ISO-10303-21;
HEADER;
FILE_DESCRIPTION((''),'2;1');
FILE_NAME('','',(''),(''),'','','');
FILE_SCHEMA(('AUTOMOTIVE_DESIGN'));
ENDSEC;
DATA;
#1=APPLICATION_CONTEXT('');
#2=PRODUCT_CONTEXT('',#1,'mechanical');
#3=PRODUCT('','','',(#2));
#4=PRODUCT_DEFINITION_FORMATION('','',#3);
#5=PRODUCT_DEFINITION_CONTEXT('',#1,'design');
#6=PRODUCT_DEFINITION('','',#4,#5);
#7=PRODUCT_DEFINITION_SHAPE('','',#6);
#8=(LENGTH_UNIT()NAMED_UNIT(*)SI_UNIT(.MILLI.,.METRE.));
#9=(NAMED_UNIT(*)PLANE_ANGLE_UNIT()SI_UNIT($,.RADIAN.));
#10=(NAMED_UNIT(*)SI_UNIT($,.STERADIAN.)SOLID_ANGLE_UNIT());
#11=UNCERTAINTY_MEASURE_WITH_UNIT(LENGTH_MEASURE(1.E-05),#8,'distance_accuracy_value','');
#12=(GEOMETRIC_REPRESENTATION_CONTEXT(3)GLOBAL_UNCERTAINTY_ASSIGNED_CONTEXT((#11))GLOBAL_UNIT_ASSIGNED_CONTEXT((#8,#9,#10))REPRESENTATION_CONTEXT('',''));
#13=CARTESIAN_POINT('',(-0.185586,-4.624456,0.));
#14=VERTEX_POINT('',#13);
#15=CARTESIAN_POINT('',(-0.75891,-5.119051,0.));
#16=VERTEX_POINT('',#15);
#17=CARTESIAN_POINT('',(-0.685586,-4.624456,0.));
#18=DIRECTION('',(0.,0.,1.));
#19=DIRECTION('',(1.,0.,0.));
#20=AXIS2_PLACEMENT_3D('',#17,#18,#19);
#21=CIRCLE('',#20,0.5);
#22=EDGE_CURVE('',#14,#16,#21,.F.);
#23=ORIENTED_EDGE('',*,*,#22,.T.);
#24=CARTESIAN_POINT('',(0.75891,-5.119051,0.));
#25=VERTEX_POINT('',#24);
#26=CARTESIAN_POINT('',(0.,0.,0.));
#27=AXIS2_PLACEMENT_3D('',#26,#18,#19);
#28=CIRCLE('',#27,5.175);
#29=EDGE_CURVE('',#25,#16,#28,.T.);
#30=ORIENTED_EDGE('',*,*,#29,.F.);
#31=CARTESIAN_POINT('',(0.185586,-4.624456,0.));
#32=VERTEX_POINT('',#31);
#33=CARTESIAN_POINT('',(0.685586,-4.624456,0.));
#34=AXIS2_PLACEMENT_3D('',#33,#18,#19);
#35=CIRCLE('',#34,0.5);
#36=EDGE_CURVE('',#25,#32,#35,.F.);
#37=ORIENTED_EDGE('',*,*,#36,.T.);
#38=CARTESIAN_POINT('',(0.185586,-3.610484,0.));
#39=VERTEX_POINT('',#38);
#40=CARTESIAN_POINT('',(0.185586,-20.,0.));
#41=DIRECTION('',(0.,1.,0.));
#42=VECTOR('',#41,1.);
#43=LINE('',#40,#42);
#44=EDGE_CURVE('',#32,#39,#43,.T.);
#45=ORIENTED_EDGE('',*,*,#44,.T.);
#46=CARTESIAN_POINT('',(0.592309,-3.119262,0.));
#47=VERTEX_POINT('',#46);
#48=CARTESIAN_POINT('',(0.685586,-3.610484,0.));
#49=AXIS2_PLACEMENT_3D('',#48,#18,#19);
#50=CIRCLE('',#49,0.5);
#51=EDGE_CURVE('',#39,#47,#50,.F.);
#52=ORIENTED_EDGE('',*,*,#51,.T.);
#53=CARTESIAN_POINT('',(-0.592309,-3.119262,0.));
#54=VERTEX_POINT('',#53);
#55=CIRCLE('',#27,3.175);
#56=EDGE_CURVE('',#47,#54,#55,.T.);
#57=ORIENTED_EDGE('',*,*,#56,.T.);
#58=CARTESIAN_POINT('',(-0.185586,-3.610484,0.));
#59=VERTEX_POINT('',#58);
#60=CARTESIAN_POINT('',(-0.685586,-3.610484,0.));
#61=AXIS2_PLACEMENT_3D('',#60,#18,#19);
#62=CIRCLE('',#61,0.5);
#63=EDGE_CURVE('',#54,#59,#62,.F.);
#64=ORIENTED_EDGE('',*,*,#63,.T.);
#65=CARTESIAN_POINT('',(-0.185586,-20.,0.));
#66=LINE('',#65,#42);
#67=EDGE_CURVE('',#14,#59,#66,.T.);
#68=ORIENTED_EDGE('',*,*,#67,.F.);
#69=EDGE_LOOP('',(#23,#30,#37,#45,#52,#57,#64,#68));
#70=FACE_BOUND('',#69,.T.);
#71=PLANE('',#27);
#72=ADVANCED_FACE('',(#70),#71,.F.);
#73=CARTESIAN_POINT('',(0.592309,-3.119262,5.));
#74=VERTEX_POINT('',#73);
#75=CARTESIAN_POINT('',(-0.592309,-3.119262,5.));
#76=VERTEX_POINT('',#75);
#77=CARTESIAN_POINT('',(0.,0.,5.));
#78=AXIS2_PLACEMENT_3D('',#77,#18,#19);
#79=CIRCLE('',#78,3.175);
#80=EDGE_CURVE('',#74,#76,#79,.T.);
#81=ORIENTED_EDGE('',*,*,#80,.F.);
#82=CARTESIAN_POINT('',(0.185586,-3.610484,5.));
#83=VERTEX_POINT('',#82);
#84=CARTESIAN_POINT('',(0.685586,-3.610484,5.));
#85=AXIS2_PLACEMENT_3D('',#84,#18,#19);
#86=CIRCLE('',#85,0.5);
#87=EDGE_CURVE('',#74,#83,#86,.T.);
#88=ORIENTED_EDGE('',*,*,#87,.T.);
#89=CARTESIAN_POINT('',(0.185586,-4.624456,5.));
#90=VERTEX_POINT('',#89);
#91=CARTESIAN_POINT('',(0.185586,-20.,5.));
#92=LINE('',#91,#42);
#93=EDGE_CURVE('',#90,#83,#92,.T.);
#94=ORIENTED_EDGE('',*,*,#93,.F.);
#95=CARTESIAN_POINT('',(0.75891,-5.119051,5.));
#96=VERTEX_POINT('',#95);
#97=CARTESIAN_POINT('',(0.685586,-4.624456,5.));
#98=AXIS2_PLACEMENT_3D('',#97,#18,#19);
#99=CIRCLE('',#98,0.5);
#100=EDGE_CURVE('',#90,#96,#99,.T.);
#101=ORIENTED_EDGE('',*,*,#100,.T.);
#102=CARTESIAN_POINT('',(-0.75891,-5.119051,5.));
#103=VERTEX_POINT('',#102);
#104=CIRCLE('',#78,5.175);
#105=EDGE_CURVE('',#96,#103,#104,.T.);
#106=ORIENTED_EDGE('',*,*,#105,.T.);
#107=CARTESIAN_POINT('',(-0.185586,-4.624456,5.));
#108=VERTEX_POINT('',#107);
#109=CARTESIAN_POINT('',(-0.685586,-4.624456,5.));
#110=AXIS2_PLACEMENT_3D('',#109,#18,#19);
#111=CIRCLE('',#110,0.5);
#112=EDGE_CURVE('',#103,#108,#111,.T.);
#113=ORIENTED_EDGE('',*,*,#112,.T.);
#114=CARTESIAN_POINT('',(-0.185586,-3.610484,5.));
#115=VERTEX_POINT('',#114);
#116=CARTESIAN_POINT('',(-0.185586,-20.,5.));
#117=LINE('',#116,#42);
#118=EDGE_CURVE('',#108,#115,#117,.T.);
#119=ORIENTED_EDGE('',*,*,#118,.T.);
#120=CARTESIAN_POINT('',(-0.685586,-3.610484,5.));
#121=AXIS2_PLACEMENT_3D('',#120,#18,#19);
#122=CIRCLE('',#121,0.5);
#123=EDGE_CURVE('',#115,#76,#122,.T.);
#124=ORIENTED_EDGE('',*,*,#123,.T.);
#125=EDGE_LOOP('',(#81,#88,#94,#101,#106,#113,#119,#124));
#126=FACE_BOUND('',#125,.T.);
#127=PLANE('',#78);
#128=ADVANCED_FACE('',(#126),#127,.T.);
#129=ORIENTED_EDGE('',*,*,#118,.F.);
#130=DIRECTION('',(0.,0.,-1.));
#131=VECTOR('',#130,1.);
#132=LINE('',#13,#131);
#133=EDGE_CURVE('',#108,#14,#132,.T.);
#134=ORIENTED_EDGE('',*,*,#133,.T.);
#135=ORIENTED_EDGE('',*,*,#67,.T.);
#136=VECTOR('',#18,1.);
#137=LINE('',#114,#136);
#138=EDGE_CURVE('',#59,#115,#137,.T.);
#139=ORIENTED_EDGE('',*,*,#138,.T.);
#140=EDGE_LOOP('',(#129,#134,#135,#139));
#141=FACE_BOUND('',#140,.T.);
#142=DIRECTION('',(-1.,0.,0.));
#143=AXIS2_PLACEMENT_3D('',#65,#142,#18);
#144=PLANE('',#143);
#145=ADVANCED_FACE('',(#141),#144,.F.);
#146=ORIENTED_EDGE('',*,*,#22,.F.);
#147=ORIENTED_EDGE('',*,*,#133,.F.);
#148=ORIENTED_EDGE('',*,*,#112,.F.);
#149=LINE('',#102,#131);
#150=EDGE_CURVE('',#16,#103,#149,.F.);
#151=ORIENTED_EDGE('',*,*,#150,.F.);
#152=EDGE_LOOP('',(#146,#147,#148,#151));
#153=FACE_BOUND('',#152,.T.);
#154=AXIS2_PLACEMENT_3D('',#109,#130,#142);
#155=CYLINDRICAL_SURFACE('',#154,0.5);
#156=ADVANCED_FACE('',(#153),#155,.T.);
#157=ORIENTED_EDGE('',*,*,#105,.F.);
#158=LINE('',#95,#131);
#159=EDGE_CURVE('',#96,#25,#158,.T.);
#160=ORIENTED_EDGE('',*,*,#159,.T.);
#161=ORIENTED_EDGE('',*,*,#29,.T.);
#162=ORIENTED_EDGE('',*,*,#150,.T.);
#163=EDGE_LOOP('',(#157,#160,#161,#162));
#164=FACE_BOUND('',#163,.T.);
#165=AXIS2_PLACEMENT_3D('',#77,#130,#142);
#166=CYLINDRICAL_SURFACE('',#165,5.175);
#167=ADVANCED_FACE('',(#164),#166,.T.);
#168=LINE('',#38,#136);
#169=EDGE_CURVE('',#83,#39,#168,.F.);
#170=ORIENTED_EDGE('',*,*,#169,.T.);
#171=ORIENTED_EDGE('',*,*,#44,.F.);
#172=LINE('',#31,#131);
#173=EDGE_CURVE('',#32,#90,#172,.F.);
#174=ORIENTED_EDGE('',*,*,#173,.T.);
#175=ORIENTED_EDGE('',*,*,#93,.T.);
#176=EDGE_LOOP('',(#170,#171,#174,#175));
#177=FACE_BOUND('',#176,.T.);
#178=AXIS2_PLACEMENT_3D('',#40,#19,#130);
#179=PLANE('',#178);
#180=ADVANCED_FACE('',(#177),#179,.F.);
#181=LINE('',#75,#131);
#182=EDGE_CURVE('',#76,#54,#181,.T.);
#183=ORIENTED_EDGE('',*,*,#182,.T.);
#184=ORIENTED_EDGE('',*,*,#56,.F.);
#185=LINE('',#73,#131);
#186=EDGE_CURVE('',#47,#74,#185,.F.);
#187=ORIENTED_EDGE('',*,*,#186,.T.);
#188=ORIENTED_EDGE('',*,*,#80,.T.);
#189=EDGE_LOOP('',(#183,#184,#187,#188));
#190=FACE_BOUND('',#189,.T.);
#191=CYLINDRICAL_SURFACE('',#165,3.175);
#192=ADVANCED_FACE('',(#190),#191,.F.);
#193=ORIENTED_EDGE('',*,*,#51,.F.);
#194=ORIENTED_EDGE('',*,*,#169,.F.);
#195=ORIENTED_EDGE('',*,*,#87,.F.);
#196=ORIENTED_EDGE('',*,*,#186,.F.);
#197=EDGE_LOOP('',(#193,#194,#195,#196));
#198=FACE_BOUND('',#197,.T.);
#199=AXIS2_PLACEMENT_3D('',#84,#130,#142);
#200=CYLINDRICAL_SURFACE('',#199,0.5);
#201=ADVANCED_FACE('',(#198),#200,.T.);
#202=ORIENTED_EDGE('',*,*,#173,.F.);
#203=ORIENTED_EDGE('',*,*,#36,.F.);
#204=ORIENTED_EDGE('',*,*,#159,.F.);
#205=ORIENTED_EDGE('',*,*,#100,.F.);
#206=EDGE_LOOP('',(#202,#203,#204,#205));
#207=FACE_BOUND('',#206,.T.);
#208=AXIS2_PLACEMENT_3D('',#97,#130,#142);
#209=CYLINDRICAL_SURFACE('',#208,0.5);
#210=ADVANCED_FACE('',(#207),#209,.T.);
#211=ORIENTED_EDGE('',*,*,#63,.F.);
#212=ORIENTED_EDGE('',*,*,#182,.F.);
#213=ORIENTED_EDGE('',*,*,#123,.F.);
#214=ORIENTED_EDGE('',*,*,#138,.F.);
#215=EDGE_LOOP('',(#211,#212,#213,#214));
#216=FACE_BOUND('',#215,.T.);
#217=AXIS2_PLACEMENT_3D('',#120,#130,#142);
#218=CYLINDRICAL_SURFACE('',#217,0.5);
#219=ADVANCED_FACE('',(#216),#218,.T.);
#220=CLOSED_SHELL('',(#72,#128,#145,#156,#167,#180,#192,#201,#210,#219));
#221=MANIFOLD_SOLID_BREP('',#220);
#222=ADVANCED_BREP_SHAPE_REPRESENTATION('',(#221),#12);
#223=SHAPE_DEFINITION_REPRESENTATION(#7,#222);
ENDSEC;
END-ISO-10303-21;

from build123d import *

# Parameters (mm, degrees)
SKETCH1_R           = 5.175
SKETCH1_R_2         = 3.175
BOSS_EXTRUDE1_DEPTH = 5
SKETCH5_W           = 0.371171222
SKETCH5_H           = 5
CUT_EXTRUDE1_DEPTH  = 20
FILLET1_R           = 0.5


with BuildPart() as part:
    # Sketch1 → Boss-Extrude1 (new body)
    with BuildSketch(Plane.XY):
        Circle(SKETCH1_R)
        Circle(SKETCH1_R_2, mode=Mode.SUBTRACT)
    extrude(amount=BOSS_EXTRUDE1_DEPTH)

    # Sketch5 → Cut-Extrude1 (cut)
    with BuildSketch(Plane(origin=(0, 0, 0), x_dir=(1, 0, 0), z_dir=(0, 1, 0))):
        with Locations((0, -2.5)):
            Rectangle(SKETCH5_W, SKETCH5_H)
    extrude(amount=-CUT_EXTRUDE1_DEPTH, mode=Mode.SUBTRACT)

    # Fillet1
    fillet1_edges = [part.edges().sort_by_distance(p)[0] for p in [
        (0.185585611, -3.169571419, 2.5),
        (-0.185585611, -3.169571419, 2.5),
        (-0.185585611, -5.171671198, 2.5),
        (0.185585611, -5.171671198, 2.5),
    ]]
    fillet(fillet1_edges, radius=FILLET1_R)


solid = part.part
